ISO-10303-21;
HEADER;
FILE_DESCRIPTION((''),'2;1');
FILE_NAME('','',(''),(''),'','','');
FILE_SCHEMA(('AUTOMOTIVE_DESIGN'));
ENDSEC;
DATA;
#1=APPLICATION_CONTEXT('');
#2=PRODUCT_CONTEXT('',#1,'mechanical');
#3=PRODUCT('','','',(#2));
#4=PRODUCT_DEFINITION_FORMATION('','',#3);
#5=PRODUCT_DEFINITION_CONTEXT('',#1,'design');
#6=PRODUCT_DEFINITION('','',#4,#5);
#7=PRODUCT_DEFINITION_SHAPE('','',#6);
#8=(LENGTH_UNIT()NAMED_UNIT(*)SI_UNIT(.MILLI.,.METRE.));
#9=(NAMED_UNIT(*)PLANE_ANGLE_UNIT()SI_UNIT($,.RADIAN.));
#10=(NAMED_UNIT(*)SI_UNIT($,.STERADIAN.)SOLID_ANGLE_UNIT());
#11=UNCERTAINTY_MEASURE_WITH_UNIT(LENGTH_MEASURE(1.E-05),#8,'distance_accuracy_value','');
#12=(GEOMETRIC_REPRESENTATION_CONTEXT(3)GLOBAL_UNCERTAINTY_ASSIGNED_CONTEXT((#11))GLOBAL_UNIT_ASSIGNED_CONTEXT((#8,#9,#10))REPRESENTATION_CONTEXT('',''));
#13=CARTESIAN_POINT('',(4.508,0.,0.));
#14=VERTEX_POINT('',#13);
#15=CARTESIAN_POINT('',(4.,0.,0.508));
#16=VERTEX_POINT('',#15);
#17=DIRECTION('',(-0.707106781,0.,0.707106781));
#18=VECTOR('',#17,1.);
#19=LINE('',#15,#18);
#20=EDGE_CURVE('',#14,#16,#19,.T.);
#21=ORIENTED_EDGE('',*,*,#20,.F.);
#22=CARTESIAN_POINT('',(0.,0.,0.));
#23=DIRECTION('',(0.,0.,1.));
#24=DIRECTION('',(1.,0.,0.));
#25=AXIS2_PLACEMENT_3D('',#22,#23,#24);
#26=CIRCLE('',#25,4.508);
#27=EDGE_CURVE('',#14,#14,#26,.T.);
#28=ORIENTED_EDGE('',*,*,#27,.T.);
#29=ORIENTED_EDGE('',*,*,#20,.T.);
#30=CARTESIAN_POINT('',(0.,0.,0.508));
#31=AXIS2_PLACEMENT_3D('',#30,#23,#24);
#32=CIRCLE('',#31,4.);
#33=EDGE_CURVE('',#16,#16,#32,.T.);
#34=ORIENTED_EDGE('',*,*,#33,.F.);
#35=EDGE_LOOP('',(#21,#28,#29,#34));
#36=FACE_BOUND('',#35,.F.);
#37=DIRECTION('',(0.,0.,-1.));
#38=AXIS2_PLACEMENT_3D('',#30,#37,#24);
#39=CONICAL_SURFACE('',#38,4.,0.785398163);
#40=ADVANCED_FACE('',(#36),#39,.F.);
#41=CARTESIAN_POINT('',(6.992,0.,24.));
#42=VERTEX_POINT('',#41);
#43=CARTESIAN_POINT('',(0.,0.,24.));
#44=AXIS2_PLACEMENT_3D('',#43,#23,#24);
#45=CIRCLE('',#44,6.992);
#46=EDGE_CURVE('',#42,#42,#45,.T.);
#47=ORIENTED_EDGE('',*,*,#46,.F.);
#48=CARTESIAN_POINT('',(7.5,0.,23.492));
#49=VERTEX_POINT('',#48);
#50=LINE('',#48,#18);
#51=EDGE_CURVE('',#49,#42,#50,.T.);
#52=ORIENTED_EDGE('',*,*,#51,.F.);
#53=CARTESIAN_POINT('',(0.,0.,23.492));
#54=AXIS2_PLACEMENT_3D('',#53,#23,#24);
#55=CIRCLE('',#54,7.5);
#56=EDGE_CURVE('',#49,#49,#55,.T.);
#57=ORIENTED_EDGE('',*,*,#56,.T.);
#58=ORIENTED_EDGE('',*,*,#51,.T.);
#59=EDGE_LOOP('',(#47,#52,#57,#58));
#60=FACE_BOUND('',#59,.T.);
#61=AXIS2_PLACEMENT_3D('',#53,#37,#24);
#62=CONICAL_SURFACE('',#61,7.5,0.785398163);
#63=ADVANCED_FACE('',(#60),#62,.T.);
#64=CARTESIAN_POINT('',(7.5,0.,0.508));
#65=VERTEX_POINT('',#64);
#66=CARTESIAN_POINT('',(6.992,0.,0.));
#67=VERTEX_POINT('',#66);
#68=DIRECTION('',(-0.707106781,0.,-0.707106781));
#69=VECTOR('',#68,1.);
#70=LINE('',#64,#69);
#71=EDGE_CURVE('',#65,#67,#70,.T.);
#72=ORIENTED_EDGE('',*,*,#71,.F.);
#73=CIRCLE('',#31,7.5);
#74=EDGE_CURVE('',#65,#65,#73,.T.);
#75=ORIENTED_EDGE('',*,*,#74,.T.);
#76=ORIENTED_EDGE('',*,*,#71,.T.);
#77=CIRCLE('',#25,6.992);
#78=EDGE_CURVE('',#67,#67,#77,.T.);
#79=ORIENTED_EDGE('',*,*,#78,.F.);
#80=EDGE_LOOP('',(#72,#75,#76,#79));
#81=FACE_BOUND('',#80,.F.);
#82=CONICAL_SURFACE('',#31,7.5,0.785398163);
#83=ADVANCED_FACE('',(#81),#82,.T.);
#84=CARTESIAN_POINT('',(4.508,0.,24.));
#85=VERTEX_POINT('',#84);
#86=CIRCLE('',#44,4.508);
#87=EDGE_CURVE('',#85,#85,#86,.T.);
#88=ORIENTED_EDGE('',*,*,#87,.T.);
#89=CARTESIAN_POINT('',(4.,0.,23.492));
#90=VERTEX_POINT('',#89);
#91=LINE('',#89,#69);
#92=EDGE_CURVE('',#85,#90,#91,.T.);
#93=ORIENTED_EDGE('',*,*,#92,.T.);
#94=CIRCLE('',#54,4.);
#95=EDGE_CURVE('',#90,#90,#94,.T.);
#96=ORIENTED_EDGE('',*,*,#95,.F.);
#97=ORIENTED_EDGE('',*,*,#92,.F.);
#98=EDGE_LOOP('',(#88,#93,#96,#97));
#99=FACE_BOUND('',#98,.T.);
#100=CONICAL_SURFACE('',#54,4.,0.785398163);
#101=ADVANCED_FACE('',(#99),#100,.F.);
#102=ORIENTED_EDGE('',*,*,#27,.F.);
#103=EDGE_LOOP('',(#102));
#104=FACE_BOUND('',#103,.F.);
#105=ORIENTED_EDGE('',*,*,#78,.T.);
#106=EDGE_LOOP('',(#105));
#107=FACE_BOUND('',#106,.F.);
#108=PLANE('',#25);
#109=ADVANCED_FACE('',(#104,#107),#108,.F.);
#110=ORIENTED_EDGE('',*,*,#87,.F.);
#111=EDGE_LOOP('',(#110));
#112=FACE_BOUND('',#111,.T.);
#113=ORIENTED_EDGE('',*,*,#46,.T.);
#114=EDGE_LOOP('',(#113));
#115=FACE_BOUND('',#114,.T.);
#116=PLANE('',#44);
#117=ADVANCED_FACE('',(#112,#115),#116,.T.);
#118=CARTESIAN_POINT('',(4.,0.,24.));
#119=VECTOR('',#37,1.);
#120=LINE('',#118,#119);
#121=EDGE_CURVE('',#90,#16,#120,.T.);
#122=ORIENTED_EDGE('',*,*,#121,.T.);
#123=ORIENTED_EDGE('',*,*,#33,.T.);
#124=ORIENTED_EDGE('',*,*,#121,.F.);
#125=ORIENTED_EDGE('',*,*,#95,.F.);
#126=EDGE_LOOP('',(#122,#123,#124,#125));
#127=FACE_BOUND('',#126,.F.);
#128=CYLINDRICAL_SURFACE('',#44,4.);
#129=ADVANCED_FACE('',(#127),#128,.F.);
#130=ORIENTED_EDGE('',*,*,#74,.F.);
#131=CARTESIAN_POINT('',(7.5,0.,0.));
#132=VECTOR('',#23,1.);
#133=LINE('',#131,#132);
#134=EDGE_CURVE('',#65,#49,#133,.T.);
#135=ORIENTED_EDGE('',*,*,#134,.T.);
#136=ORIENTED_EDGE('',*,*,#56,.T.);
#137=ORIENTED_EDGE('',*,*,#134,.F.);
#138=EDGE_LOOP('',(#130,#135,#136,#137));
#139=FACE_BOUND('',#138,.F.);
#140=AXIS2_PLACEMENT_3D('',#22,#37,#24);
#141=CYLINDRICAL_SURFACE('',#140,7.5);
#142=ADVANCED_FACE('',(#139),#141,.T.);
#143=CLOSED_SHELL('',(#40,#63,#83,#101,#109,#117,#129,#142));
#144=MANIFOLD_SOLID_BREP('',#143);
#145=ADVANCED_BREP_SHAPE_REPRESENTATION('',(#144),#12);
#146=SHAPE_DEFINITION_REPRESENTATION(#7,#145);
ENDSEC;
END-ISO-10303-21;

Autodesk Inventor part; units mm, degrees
ref_plane "YZ Plane" through (0, 0, 0) normal (1, 0, 0) x (0, 1, 0)
ref_plane "XZ Plane" through (0, 0, 0) normal (0, 1, 0) x (-1, 0, 0)
ref_plane "XY Plane" through (0, 0, 0) normal (0, 0, 1) x (1, 0, 0)
sketch "Sketch1" plane through (0, 0, 0) normal (0, 0, 1) x (1, 0, 0)
  circle A0 centre (0, 0) radius 7.5
  dimension "d0" = 15
extrude "Extrusion1" add sketch "Sketch1" along normal blind 24
sketch "Sketch2" plane through (0, 0, 24) normal (0, 0, 1) x (1, 0, 0)
  circle A0 centre (0, 0) radius 4
  dimension "d3" = 8
extrude "Extrusion2" cut sketch "Sketch2" against normal through all
chamfer "Chamfer1" distance 0.508 angle 45 4 edges at (-7.5, 0, 24) (-4, 0, 24) (-7.5, 0, 0) (-4, 0, 0)
properties part number "lm8uu rough model"
